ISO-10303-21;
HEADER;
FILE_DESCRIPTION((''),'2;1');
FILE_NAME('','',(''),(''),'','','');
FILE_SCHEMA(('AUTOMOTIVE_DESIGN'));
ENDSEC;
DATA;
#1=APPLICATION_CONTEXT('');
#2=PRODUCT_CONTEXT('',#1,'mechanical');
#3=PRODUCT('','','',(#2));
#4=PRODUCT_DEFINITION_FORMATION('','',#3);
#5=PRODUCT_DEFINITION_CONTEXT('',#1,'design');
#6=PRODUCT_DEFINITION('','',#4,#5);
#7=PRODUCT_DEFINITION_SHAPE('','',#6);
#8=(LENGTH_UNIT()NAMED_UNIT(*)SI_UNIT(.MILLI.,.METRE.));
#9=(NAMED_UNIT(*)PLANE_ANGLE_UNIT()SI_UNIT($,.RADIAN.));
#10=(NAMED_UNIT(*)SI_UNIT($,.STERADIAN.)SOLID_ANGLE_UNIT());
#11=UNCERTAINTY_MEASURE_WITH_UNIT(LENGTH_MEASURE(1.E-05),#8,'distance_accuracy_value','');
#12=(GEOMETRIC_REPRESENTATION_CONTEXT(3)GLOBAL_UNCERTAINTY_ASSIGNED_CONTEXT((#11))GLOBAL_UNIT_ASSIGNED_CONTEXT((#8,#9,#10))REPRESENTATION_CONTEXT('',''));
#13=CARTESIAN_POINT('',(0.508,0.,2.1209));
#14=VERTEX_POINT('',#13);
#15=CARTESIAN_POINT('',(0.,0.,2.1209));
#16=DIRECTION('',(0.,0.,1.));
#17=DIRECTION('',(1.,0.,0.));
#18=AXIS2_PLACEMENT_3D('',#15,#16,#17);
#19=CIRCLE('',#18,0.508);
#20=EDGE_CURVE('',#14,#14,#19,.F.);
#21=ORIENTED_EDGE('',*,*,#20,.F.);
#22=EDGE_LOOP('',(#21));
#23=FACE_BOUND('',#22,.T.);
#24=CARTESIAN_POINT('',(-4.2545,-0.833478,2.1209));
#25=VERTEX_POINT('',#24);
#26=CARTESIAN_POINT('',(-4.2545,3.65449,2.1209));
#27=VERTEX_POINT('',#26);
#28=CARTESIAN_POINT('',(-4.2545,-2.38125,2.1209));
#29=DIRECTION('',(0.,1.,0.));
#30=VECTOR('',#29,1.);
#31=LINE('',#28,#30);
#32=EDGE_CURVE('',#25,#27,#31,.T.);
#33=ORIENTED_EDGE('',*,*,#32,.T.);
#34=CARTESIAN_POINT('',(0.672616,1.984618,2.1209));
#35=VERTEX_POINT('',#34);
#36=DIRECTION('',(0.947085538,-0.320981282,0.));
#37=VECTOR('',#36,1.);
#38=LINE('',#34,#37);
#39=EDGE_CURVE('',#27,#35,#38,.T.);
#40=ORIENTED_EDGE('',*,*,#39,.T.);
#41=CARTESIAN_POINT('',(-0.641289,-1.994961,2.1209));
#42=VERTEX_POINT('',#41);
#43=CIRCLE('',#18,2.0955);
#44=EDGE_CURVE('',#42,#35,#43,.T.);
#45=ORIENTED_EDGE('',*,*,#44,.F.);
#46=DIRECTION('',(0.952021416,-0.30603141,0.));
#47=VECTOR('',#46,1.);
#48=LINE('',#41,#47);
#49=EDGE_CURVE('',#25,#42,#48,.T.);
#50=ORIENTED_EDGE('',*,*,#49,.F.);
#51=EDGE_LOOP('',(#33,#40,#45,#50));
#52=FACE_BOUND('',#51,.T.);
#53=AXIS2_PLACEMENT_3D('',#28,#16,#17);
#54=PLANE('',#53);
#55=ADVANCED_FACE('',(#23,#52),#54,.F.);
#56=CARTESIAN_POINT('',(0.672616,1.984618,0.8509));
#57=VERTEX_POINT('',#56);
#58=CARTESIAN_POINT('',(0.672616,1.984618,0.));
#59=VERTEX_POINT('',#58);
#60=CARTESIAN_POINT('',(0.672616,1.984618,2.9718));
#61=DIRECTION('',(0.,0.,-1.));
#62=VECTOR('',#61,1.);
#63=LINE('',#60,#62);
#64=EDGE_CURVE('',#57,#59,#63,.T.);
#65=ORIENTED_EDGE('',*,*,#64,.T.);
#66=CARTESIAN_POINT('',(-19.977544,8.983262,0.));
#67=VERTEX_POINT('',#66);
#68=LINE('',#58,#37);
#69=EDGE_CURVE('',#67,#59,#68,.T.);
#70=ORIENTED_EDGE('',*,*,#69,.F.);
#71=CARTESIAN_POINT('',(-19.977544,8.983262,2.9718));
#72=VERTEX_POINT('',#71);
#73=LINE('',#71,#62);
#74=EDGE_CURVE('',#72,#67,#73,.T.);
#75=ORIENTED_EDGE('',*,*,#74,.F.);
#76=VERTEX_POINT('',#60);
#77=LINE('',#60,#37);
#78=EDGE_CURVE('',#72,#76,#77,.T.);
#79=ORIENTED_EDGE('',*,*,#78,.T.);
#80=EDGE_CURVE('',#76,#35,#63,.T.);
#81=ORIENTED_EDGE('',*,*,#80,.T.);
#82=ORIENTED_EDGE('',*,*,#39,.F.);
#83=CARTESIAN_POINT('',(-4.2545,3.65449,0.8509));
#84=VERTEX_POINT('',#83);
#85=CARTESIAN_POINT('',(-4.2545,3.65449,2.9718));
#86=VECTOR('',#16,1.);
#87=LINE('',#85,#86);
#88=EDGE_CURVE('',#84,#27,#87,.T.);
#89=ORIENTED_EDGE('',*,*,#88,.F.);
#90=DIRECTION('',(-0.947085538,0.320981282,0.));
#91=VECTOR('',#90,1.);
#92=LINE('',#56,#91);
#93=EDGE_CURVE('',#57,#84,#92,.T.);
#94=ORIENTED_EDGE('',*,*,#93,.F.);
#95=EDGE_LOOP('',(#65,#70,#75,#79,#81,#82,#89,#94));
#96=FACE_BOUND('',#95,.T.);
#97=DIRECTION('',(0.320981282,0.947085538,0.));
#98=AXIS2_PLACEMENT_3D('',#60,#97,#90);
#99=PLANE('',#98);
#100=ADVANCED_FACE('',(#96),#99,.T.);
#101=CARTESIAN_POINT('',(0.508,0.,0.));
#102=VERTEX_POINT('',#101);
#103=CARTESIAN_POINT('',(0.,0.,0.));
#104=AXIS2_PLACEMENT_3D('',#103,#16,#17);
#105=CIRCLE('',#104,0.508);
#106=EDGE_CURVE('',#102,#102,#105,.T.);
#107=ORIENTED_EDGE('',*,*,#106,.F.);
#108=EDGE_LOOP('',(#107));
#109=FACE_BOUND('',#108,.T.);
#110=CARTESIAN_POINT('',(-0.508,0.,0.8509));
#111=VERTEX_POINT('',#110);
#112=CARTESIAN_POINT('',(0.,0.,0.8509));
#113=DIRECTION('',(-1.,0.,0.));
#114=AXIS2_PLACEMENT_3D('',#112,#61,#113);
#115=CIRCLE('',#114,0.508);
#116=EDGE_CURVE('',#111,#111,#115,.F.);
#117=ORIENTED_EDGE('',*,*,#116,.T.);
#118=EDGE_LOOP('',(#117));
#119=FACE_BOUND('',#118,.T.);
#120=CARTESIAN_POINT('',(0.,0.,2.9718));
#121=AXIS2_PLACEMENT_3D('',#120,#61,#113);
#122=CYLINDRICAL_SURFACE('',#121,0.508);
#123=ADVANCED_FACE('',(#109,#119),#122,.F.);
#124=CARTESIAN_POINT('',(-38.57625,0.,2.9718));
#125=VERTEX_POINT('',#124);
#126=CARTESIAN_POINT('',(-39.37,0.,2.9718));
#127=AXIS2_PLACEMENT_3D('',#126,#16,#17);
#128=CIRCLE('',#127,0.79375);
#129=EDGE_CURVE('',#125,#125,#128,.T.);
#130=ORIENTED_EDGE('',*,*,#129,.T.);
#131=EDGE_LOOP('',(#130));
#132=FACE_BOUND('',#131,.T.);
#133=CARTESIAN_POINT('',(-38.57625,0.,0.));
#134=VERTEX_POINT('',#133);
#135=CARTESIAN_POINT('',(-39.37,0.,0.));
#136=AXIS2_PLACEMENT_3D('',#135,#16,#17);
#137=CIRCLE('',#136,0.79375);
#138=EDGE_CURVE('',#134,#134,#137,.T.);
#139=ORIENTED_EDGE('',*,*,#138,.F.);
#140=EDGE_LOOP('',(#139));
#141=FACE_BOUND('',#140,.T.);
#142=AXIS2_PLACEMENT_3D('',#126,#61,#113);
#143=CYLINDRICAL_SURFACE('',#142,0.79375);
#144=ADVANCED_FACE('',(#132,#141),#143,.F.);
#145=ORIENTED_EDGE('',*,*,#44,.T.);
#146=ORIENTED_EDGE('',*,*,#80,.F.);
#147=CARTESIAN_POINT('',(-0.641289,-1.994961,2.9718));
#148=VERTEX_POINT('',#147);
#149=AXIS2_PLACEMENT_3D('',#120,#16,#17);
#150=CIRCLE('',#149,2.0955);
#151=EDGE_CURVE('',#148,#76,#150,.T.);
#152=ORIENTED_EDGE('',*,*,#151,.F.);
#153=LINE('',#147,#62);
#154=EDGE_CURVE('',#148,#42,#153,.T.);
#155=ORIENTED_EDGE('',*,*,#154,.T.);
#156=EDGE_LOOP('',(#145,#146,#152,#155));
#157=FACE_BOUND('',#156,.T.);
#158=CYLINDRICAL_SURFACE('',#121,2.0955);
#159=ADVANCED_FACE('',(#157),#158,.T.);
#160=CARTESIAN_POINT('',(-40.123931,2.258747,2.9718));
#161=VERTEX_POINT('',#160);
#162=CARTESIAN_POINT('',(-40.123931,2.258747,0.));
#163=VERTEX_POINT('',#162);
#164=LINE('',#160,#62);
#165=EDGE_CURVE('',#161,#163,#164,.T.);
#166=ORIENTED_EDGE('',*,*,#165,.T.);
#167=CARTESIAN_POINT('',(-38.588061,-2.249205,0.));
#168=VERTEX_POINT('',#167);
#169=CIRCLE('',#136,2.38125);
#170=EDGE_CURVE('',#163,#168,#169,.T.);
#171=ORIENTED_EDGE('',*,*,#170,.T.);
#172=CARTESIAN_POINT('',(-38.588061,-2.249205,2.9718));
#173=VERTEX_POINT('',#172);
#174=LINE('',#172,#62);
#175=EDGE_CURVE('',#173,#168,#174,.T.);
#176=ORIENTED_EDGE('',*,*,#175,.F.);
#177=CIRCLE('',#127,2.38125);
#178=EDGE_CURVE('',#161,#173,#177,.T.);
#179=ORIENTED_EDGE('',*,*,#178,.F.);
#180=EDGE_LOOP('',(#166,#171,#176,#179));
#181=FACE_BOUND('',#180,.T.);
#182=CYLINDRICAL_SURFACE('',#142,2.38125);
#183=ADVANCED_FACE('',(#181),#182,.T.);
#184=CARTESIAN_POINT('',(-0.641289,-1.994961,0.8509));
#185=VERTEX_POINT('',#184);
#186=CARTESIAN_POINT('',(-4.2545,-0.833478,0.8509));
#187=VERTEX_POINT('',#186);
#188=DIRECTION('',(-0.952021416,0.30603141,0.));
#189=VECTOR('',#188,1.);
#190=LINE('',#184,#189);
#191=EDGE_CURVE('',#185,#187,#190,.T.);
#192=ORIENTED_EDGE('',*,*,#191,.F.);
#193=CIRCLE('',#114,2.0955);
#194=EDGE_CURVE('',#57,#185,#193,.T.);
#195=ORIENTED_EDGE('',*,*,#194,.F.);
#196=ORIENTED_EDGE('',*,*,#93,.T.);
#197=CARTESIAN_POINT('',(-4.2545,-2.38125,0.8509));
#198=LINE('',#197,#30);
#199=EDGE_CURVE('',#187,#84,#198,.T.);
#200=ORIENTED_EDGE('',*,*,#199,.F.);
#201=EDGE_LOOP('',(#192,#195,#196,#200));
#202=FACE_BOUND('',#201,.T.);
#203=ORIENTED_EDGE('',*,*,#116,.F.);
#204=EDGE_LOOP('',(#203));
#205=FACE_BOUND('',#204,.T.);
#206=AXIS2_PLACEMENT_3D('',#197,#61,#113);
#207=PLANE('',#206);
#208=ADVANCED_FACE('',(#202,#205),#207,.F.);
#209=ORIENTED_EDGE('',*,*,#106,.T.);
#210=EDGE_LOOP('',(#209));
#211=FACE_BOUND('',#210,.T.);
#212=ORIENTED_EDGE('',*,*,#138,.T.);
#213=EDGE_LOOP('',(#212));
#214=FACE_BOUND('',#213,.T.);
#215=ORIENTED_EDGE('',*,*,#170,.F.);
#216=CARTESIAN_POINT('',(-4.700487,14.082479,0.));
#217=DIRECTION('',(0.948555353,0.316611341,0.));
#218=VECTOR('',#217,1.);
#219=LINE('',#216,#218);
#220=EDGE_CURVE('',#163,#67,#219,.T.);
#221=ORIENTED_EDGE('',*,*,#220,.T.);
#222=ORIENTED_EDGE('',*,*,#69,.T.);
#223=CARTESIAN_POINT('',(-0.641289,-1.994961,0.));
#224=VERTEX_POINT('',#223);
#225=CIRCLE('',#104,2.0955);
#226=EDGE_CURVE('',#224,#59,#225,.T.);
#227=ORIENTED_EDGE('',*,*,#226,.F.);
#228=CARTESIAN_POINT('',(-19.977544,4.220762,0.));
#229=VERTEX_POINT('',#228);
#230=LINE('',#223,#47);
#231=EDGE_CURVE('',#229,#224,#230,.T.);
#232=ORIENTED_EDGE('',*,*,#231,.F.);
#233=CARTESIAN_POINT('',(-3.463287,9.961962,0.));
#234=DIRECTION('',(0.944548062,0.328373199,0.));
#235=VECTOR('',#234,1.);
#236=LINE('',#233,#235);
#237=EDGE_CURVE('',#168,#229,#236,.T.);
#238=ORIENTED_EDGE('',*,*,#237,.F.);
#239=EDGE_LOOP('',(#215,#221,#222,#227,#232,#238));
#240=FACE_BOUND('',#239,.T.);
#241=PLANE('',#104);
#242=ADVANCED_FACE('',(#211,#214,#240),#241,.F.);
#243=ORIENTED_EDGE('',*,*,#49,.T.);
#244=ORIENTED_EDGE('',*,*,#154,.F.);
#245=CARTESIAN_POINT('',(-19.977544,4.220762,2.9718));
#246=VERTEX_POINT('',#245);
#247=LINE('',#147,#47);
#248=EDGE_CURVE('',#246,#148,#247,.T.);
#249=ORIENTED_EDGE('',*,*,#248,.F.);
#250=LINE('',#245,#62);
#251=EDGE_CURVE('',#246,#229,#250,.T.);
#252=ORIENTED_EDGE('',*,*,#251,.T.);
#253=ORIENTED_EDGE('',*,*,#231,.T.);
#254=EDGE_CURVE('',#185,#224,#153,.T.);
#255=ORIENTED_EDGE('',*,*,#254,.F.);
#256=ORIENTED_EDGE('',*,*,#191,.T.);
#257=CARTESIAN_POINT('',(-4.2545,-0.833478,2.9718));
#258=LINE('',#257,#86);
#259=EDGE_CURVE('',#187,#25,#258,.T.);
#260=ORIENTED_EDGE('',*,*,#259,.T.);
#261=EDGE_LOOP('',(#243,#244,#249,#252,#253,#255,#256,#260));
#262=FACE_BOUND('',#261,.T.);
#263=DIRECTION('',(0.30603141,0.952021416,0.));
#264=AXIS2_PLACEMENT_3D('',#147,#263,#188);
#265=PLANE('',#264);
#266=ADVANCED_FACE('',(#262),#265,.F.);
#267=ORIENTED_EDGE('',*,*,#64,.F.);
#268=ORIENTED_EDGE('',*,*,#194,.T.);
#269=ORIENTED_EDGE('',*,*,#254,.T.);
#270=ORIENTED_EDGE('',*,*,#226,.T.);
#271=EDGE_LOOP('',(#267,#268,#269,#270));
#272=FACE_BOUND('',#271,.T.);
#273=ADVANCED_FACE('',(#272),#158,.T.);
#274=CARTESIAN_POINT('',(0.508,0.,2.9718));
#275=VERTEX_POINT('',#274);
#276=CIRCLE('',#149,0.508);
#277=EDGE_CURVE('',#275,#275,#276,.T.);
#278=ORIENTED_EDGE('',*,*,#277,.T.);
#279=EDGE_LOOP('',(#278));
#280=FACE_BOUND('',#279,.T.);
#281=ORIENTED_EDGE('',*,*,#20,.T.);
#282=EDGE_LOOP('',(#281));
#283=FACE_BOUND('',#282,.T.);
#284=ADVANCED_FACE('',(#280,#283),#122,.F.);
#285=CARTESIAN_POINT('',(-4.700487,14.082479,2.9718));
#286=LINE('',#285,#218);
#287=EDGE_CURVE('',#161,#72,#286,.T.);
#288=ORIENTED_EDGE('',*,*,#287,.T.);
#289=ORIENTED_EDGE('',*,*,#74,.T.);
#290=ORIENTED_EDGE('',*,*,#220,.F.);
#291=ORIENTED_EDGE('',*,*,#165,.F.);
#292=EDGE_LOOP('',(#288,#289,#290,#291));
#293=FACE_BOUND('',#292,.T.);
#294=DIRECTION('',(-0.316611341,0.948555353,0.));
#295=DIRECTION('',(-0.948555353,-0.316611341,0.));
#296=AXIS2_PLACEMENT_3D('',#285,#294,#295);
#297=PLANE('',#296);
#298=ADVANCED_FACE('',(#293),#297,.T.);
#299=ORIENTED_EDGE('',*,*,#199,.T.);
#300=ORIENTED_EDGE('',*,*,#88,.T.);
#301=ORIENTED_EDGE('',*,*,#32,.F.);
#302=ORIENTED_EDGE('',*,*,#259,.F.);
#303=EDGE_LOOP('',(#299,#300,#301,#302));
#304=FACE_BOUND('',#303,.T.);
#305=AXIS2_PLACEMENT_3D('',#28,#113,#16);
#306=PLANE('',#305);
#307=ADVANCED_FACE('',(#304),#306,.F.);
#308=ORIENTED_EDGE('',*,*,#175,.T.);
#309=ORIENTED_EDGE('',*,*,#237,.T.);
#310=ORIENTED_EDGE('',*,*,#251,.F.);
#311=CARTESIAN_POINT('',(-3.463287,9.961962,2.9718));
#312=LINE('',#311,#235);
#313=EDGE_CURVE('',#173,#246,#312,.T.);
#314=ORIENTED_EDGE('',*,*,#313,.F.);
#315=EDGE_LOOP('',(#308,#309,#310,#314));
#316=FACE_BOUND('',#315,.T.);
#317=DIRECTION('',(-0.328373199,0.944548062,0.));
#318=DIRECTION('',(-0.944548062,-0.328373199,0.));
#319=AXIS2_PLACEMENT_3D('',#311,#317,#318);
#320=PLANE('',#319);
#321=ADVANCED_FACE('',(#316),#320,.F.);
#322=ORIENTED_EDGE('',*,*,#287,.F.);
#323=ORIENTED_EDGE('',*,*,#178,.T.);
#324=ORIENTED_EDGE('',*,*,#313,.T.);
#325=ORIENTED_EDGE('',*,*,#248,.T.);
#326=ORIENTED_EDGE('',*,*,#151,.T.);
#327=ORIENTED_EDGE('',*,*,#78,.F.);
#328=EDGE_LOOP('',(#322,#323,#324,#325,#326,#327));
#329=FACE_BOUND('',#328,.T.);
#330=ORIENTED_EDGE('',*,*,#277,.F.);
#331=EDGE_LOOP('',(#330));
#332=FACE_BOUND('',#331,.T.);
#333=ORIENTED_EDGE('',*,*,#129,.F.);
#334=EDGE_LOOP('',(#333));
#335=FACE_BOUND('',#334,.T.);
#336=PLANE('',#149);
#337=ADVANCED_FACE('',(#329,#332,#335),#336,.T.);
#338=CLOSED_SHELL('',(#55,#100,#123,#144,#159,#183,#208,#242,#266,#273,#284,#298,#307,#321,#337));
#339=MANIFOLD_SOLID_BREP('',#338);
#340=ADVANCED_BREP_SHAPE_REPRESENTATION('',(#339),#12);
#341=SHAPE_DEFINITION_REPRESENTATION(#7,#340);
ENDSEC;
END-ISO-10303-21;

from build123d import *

# Parameters (mm, degrees)
SKETCH1_R               = 0.79375
BOSS_EXTRUDE1_DEPTH     = 2.9718
SKETCH2_W               = 8.560637789
SKETCH2_H               = 1.27
CUT_EXTRUDE1_DEPTH      = 9.983262208
CUT_EXTRUDE1_DEPTH_BACK = 3.38125
SKETCH1_4_R             = 0.508
CUT_EXTRUDE3_DEPTH      = 3.9718
CUT_EXTRUDE3_DEPTH_BACK = 1


with BuildPart() as part:
    # Sketch1 → Boss-Extrude1 (new body)
    with BuildSketch(Plane.XY):
        with BuildLine():
            Line((-38.58806132, -2.249205074), (-19.977544146, 4.220762208))
            Line((-19.977544146, 4.220762208), (-0.641288821, -1.994960876))
            ThreePointArc((-0.641288821, -1.994960876), (1.989850963, -0.656972903), (0.672616276, 1.984617745))
            Line((0.672616276, 1.984617745), (-19.977544146, 8.983262208))
            Line((-19.977544146, 8.983262208), (-40.123930756, 2.258747435))
            ThreePointArc((-40.123930756, 2.258747435), (-41.624019757, -0.76794954), (-38.58806132, -2.249205074))
        make_face()
        with Locations((-39.37, 0)):
            Circle(SKETCH1_R, mode=Mode.SUBTRACT)
    extrude(amount=BOSS_EXTRUDE1_DEPTH)

    # Sketch2 → Cut-Extrude1 (cut, two sides)
    with BuildSketch(Plane(origin=(0, 0, 0), x_dir=(1, 0, 0), z_dir=(0, 1, 0))) as cut_extrude1_sk:
        with Locations((0.025818894, -1.4859)):
            Rectangle(SKETCH2_W, SKETCH2_H)
    extrude(amount=CUT_EXTRUDE1_DEPTH, mode=Mode.SUBTRACT)
    extrude(cut_extrude1_sk.sketch, amount=-CUT_EXTRUDE1_DEPTH_BACK, mode=Mode.SUBTRACT)

    # Sketch1<4> → Cut-Extrude3 (cut, two sides)
    with BuildSketch(Plane.XY) as cut_extrude3_sk:
        Circle(SKETCH1_4_R)
    extrude(amount=CUT_EXTRUDE3_DEPTH, mode=Mode.SUBTRACT)
    extrude(cut_extrude3_sk.sketch, amount=-CUT_EXTRUDE3_DEPTH_BACK, mode=Mode.SUBTRACT)


solid = part.part
